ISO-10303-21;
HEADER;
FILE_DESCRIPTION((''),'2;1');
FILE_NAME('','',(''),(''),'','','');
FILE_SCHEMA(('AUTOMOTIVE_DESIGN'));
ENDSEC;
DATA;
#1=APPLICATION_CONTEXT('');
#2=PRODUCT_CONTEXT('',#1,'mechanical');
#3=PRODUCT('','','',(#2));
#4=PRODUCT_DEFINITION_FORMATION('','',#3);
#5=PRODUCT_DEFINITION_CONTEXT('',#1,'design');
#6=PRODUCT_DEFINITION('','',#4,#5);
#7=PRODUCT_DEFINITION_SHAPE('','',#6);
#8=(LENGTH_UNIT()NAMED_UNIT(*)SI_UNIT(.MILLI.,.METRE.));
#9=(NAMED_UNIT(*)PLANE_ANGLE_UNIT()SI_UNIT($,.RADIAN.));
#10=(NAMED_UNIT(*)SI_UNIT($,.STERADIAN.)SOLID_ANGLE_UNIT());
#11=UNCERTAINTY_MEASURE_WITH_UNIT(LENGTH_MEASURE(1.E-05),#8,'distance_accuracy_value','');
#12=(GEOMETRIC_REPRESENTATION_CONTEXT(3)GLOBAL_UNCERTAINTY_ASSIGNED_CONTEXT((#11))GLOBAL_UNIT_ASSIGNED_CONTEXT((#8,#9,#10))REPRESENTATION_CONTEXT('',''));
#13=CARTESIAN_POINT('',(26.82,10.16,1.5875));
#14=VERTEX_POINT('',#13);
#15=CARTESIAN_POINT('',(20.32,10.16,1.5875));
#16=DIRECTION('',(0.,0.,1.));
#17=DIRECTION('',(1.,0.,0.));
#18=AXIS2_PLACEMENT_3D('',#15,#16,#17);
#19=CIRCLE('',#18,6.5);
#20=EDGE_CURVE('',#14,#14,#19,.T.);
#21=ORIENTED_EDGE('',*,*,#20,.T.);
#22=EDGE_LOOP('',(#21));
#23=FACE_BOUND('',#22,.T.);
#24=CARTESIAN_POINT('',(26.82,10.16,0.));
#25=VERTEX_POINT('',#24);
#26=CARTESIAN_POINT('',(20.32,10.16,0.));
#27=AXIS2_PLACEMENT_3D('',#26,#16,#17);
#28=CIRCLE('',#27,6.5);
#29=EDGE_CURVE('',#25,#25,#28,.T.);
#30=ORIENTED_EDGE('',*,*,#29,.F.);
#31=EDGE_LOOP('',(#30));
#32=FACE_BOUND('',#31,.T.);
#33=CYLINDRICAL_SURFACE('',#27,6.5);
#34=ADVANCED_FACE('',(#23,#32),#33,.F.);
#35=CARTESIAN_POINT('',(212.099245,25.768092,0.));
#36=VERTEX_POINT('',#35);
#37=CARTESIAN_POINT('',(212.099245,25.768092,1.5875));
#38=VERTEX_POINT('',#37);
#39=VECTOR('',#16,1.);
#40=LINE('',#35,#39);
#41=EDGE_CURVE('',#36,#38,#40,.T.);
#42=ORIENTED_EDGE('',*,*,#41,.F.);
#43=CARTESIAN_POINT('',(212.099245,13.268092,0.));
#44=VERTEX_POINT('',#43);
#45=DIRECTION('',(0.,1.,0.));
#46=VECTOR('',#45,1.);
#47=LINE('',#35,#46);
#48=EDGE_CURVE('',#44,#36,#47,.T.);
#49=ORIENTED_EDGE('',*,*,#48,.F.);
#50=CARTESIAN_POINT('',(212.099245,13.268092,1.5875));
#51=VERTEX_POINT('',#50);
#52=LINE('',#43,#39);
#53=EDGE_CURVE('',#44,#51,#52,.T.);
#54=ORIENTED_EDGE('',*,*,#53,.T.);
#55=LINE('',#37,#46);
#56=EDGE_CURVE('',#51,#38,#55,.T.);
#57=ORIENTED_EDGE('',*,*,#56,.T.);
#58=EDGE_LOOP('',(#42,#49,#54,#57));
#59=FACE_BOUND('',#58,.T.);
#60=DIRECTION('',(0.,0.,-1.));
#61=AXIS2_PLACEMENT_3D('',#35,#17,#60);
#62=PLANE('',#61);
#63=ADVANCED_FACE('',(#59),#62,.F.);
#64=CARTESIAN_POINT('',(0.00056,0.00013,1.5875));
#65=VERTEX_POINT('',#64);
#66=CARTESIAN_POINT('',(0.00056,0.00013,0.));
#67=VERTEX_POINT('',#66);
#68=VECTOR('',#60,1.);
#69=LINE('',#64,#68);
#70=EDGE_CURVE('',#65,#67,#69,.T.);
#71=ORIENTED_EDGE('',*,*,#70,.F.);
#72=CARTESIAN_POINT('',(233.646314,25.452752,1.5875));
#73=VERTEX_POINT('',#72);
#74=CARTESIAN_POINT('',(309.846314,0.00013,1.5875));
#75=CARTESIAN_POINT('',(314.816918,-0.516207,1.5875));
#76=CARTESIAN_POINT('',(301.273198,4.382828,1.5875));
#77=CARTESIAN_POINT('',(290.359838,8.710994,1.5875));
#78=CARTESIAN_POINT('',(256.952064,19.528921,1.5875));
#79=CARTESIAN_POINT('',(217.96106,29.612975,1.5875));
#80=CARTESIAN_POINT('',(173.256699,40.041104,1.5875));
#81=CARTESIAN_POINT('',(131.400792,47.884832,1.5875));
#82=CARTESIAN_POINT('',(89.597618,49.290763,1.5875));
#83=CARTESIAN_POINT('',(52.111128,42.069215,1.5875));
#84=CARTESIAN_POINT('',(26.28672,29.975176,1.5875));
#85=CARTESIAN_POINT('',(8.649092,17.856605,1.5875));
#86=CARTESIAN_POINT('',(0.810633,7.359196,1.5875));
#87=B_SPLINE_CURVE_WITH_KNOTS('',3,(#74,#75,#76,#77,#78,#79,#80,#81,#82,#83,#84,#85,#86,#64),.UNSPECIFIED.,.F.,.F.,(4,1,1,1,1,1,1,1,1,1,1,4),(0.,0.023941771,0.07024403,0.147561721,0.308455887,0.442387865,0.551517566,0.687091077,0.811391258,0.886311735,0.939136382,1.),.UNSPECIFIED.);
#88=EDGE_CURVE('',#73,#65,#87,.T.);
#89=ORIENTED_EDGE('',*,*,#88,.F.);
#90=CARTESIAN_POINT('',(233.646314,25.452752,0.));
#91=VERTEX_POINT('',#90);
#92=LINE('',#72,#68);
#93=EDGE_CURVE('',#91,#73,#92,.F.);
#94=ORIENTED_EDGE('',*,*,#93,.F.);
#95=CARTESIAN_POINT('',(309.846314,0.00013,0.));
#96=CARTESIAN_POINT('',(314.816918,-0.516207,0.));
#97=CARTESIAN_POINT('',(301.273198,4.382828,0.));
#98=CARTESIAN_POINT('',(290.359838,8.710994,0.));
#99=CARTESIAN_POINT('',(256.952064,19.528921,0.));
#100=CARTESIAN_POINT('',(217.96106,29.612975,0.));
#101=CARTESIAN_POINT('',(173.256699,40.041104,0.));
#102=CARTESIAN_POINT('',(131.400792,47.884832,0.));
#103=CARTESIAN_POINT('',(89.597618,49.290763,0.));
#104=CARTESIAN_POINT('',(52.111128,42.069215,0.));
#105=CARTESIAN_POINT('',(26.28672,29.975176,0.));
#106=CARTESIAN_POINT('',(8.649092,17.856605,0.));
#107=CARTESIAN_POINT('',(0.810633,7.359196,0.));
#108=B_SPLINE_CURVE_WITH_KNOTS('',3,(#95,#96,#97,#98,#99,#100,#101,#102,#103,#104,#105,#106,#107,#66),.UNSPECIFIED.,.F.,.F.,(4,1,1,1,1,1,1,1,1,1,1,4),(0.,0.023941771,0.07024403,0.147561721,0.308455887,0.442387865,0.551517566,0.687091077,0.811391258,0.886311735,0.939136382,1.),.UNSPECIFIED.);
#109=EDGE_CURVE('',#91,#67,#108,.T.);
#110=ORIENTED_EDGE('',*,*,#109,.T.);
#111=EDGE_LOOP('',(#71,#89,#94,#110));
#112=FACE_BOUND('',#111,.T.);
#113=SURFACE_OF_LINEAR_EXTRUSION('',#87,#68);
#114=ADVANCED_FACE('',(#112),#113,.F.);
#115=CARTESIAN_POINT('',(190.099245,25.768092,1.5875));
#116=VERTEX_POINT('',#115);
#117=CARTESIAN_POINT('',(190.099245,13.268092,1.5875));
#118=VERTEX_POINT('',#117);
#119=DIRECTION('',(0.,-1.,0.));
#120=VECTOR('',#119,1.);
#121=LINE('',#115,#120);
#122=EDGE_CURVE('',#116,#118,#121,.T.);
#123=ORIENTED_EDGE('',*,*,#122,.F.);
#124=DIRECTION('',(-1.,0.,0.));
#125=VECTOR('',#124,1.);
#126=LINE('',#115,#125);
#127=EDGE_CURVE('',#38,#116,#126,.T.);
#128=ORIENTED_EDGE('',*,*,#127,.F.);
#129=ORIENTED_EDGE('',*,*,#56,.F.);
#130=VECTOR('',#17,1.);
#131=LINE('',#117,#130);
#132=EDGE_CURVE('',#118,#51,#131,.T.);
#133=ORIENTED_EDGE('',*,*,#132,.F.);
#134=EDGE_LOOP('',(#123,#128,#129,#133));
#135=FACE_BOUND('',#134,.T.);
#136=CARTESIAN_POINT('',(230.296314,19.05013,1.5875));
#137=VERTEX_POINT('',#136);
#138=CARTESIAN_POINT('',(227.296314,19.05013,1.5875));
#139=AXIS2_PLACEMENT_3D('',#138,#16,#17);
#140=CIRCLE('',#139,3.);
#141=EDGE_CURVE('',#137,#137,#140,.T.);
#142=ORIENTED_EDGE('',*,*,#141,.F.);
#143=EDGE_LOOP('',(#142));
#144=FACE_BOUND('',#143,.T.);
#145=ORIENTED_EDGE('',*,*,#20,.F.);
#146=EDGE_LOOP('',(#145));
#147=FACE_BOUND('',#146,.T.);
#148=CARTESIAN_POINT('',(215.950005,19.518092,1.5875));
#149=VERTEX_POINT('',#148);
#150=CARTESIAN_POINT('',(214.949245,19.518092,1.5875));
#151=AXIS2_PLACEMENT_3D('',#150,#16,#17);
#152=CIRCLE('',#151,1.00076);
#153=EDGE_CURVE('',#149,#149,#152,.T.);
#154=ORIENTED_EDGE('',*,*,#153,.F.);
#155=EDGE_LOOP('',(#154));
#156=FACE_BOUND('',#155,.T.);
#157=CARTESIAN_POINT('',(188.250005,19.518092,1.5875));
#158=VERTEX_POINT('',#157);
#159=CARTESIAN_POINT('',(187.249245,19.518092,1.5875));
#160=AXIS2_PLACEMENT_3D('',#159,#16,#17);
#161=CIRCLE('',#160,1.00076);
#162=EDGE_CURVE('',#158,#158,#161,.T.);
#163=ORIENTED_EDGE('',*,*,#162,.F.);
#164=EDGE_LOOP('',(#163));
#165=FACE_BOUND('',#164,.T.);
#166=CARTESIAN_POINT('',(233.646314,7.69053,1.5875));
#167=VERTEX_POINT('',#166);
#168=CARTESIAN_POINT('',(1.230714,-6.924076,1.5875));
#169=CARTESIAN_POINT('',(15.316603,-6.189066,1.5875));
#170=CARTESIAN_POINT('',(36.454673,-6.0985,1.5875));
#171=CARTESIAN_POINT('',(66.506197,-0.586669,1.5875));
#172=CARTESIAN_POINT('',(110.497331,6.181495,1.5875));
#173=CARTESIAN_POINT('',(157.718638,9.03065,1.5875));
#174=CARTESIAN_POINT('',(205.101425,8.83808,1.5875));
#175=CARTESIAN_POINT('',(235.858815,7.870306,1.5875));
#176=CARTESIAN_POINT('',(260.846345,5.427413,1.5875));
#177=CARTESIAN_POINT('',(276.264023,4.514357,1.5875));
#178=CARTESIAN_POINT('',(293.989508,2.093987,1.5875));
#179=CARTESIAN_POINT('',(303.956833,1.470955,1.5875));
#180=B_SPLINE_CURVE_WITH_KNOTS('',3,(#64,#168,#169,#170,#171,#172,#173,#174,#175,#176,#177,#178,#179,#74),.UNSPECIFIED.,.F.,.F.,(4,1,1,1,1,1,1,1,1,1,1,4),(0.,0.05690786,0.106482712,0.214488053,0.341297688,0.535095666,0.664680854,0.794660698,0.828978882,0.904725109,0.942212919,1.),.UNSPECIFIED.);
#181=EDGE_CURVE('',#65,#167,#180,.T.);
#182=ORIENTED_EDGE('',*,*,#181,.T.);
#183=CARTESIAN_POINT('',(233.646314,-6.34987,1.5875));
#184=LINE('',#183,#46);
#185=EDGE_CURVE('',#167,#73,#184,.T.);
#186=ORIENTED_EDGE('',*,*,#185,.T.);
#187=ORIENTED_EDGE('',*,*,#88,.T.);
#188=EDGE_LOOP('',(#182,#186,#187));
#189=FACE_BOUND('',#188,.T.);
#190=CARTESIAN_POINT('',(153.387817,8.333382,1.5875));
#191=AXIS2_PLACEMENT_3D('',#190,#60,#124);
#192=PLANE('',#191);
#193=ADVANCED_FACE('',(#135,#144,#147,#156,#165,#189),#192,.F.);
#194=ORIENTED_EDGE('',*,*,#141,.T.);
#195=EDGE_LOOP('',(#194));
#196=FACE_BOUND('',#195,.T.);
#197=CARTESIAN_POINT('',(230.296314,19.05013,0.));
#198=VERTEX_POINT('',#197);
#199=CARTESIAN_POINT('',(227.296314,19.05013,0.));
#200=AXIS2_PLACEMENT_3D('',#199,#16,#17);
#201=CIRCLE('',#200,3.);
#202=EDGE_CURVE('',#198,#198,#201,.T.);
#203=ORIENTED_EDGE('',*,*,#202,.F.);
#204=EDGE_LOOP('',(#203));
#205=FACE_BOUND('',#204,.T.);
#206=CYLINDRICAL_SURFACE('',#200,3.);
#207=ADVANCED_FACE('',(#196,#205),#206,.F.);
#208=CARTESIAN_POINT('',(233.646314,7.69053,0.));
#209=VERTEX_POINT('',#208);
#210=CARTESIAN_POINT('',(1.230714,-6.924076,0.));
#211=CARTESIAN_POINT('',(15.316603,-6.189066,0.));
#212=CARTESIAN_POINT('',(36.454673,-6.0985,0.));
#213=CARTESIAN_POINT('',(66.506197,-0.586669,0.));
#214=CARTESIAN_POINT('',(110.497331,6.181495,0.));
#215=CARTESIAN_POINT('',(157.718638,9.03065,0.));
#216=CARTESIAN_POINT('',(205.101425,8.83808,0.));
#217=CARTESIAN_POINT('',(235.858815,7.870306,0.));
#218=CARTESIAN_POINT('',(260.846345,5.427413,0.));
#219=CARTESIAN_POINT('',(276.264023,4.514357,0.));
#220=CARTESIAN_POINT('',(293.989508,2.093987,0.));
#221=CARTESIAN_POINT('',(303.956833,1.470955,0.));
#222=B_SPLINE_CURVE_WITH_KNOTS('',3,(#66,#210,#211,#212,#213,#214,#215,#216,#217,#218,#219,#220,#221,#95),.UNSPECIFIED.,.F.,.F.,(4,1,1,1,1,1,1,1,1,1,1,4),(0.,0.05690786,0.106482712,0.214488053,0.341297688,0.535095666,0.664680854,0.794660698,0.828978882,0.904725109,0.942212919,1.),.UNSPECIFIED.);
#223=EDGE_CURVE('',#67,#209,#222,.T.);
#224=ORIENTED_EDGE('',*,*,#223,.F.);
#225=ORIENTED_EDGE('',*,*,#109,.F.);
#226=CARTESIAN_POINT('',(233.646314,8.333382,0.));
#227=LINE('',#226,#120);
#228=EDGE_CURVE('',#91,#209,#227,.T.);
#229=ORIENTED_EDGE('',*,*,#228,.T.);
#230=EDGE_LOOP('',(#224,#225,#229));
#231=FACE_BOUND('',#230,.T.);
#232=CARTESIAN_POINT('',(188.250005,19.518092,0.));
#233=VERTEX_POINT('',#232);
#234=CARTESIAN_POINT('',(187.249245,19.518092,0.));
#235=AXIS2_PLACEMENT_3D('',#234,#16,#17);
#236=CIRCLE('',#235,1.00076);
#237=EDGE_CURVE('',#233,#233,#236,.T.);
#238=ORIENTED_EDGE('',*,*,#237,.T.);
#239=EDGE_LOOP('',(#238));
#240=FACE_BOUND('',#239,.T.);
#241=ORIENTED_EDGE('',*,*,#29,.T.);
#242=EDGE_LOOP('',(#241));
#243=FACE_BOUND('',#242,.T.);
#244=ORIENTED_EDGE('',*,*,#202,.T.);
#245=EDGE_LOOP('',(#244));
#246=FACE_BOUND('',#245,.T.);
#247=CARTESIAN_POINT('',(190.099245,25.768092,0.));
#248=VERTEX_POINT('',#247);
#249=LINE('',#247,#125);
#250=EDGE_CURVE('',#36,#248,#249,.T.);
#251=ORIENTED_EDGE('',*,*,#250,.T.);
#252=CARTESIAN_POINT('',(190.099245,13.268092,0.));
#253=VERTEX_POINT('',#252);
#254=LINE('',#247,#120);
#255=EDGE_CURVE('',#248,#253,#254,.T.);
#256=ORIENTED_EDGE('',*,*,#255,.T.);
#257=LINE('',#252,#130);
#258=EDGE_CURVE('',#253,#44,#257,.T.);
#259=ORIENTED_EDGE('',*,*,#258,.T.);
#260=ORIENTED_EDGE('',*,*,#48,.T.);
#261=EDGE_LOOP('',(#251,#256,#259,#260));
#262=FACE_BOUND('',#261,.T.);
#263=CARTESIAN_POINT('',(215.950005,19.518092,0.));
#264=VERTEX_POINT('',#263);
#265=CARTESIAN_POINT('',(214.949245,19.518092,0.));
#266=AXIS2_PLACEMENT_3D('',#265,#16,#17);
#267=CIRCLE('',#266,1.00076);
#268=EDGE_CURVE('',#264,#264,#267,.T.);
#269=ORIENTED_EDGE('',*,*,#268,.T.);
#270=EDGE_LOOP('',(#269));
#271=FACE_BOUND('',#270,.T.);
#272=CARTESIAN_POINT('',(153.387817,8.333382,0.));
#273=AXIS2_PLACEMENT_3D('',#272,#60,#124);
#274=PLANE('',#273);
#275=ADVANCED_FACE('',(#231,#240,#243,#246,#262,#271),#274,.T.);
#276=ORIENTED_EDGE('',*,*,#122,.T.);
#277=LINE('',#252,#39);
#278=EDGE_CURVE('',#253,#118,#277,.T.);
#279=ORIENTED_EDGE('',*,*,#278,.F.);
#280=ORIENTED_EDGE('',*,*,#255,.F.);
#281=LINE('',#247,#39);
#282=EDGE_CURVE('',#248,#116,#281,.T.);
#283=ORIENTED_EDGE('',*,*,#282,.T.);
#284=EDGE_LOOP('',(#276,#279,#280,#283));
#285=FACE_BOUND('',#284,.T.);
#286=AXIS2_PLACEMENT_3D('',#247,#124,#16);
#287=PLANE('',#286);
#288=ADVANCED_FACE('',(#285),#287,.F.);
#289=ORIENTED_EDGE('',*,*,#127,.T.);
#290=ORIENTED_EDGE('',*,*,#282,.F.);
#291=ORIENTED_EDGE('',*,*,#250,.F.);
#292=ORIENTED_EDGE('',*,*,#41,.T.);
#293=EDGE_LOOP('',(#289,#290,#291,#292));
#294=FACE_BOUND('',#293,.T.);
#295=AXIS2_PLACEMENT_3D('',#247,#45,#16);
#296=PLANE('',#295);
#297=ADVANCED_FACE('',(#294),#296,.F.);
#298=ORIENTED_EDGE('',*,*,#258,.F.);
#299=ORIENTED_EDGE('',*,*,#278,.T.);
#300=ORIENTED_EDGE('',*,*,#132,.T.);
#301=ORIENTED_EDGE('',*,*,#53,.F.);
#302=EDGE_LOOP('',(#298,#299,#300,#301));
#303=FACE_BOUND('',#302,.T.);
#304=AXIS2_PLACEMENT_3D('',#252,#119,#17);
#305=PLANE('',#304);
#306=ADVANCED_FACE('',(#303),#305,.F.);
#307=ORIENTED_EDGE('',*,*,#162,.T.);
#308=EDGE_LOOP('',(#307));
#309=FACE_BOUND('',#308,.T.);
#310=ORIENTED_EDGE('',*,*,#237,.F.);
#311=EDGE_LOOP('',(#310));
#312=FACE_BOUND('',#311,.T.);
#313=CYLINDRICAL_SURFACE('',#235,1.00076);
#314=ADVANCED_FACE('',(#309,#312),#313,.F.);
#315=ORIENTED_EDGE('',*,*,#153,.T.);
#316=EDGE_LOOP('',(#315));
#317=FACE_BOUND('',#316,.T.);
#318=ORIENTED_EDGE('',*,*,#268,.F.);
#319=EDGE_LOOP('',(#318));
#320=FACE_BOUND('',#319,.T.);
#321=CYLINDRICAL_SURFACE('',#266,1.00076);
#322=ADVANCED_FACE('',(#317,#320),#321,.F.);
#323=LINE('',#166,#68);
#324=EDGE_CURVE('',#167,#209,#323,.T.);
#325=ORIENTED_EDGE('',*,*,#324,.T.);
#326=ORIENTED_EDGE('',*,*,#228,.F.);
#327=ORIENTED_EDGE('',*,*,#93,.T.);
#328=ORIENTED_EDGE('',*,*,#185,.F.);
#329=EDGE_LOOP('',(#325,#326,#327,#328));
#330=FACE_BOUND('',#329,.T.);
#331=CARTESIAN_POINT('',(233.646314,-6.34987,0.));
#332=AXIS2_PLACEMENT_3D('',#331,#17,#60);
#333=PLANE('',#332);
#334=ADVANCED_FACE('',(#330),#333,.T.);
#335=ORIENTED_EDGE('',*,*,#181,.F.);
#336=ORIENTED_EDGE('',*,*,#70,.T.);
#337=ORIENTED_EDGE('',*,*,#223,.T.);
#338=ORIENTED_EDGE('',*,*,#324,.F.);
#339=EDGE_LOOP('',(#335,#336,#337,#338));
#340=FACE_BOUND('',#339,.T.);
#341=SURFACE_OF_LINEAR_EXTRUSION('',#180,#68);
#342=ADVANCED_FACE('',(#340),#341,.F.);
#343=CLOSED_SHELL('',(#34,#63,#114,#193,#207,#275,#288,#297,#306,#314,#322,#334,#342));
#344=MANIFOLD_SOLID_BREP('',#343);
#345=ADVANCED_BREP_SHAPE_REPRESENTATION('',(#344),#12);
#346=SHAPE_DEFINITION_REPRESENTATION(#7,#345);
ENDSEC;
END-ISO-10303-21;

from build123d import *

# Parameters (mm, degrees)
BOSS_EXTRUDE1_DEPTH = 1.5875
SKETCH2_R           = 6.5
SKETCH2_R_2         = 3
CUT_EXTRUDE1_DEPTH  = 316.731983488
SKETCH3_W           = 116.84
SKETCH3_H           = 50.8
CUT_EXTRUDE2_DEPTH  = 316.731983488
SKETCH4_R           = 1.00076
SKETCH4_W           = 22
SKETCH4_H           = 12.5
CUT_EXTRUDE3_DEPTH  = 239.581081252


with BuildPart() as part:
    # Sketch1 → Boss-Extrude1 (new body)
    with BuildSketch(Plane.XY):
        with BuildLine():
            add(Edge.make_bspline(
                [(0.000560351, 0.000130087), (0.810633127, 7.359196055), (8.649092025, 17.856605174), (26.286719818, 29.975176328), (52.111128271, 42.069215275), (89.597618475, 49.290763054), (131.400792109, 47.884831915), (173.256699242, 40.041104278), (217.961060472, 29.612974894), (256.952064401, 19.528920948), (290.35983767, 8.71099439), (301.273197721, 4.382828139), (314.816918223, -0.516206742), (309.846313895, 0.000130087)],
                knots=[0, 0, 0, 0, 0.060863618, 0.113688265, 0.188608742, 0.312908923, 0.448482434, 0.557612135, 0.691544113, 0.852438279, 0.92975597, 0.976058229, 1, 1, 1, 1], degree=3))
            add(Edge.make_bspline(
                [(309.846313895, 0.000130087), (303.956832565, 1.47095521), (293.989507544, 2.093987313), (276.26402299, 4.514356704), (260.846344817, 5.427413394), (235.858814759, 7.870306192), (205.101424636, 8.838080282), (157.718638092, 9.030650149), (110.497331172, 6.181495223), (66.506197185, -0.586669107), (36.454672816, -6.098499901), (15.316603331, -6.189065841), (1.230714189, -6.924076091), (0.000560351, 0.000130087)],
                knots=[0, 0, 0, 0, 0.057787081, 0.095274891, 0.171021118, 0.205339302, 0.335319146, 0.464904334, 0.658702312, 0.785511947, 0.893517288, 0.94309214, 1, 1, 1, 1], degree=3))
        make_face()
    extrude(amount=BOSS_EXTRUDE1_DEPTH)

    # Sketch2 → Cut-Extrude1 (cut, through all)
    with BuildSketch(Plane.XY.offset(1.5875)):
        with Locations((20.32, 10.16)):
            Circle(SKETCH2_R)
        with Locations((227.296313895, 19.050130087)):
            Circle(SKETCH2_R_2)
    extrude(amount=-CUT_EXTRUDE1_DEPTH, mode=Mode.SUBTRACT)

    # Sketch3 → Cut-Extrude2 (cut, through all)
    with BuildSketch(Plane.XY.offset(1.5875)):
        with Locations((292.066313895, 19.050130087)):
            Rectangle(SKETCH3_W, SKETCH3_H)
    extrude(amount=-CUT_EXTRUDE2_DEPTH, mode=Mode.SUBTRACT)

    # Sketch4 → Cut-Extrude3 (cut, through all)
    with BuildSketch(Plane.XY.offset(1.5875)):
        with Locations((214.949245332, 19.518092278)):
            Circle(SKETCH4_R)
        with Locations((187.249245332, 19.518092278)):
            Circle(SKETCH4_R)
        with Locations((201.099245332, 19.518092278)):
            Rectangle(SKETCH4_W, SKETCH4_H)
    extrude(amount=-CUT_EXTRUDE3_DEPTH, mode=Mode.SUBTRACT)


solid = part.part
